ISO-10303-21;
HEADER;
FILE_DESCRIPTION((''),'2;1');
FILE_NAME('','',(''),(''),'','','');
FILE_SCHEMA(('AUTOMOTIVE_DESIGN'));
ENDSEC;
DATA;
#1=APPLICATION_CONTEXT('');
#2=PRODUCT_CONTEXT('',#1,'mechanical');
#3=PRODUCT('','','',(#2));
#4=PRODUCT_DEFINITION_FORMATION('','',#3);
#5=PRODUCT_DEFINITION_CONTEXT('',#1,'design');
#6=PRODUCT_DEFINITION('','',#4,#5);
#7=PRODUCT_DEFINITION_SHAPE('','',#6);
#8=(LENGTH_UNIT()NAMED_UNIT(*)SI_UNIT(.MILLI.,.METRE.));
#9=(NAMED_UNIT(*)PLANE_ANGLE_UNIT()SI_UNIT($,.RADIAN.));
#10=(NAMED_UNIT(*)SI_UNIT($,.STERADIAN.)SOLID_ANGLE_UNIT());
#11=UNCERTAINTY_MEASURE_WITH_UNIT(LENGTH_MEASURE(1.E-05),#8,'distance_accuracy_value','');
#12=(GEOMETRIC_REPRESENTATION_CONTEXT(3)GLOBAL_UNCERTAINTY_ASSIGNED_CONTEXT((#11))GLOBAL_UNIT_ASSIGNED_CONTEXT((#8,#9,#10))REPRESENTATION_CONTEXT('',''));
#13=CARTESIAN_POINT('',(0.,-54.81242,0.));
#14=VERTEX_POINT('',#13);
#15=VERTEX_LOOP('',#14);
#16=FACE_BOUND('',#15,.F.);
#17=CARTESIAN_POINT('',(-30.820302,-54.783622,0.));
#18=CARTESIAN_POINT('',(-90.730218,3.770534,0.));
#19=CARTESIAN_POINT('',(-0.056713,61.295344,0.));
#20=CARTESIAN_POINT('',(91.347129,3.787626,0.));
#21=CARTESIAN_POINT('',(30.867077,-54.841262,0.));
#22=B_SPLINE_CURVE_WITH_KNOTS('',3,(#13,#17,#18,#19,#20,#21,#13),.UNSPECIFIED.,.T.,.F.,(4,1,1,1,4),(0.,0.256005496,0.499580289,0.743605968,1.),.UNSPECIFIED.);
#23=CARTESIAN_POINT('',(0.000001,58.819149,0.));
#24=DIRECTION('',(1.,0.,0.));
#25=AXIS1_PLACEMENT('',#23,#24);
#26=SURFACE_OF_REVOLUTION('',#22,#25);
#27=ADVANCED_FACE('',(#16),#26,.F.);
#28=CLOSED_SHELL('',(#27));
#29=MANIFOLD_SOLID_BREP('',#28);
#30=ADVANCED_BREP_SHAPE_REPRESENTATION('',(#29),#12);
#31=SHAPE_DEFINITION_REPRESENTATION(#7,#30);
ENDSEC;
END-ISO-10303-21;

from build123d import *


with BuildPart() as f1:
    # F0 (on Top) → F1 (revolve)
    with BuildSketch(Plane.XY):
        with BuildLine():
            add(Edge.make_bspline(
                [(0, -54.8124204512), (-30.8203017206, -54.7836222933), (-90.7302183368, 3.7705336959), (-0.0567133175, 61.295343873), (91.3471294086, 3.7876255343), (30.8670773408, -54.8412623158), (0, -54.8124204512)],
                knots=[0, 0, 0, 0, 0.2560054955, 0.4995802893, 0.7436059679, 1, 1, 1, 1], degree=3))
        make_face()
    revolve(axis=Axis((9.726e-07, 58.8191494872, 0), (1, 0, 0)))


solid = f1.part
